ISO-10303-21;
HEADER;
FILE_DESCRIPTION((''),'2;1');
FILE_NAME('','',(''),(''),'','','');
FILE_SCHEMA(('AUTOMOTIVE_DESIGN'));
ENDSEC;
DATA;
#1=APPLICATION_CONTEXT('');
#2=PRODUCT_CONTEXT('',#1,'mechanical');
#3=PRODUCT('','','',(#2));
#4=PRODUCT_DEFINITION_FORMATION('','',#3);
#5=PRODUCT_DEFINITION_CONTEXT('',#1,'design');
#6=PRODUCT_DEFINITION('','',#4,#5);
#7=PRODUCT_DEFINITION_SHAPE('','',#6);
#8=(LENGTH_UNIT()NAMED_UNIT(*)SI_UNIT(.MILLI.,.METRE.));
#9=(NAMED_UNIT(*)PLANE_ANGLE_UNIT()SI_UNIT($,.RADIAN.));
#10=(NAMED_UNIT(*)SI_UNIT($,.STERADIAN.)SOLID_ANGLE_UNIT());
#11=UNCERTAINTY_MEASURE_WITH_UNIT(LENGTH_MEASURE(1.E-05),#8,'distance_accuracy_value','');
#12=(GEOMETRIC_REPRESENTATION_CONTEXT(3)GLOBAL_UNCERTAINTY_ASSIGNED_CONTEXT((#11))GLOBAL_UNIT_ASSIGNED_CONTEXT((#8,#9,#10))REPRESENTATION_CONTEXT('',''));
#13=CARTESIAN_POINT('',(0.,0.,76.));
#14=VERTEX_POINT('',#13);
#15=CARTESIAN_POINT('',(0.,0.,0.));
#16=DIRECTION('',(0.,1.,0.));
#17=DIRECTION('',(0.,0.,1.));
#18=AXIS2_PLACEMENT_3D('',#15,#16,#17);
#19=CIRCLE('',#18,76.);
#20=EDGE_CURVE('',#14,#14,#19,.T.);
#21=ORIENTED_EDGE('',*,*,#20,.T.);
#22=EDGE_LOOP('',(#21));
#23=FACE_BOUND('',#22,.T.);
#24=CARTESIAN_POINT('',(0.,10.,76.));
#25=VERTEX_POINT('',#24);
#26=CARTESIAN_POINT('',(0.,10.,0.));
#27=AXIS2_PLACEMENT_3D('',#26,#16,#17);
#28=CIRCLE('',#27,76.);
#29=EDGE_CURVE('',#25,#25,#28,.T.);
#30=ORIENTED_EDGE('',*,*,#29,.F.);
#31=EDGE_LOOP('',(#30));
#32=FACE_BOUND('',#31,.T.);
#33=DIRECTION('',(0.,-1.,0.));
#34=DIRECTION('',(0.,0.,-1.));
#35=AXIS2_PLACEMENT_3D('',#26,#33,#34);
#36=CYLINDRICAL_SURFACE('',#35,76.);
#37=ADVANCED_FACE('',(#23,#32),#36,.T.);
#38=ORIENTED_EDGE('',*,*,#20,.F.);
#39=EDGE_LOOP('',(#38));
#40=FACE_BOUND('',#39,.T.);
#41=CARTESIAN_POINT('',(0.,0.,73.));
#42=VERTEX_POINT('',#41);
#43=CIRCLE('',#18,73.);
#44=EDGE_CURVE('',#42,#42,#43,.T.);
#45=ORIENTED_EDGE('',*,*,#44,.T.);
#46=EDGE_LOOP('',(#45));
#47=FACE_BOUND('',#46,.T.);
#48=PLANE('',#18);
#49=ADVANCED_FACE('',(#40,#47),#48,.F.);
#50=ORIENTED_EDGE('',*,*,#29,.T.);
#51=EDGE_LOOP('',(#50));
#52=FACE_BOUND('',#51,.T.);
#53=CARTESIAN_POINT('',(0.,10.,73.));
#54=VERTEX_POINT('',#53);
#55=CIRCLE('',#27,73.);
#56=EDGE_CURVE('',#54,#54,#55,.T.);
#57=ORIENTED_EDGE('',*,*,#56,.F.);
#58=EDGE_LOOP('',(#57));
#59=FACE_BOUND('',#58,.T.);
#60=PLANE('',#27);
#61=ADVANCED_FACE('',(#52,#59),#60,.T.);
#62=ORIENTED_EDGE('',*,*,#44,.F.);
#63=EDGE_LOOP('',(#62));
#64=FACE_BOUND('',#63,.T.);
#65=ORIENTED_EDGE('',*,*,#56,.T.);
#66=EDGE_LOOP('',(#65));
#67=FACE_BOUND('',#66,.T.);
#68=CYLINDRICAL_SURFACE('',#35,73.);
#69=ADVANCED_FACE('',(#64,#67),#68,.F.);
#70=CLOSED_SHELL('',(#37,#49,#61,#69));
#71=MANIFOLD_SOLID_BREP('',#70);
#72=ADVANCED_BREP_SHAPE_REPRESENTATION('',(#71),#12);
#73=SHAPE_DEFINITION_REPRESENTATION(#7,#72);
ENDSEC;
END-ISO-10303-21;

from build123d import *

# Parameters (mm, degrees)
CROQUIS1_R              = 76
CROQUIS1_R_2            = 73
SALIENTE_EXTRUIR1_DEPTH = 10


with BuildPart() as part:
    # Croquis1 → Saliente-Extruir1 (new body)
    with BuildSketch(Plane(origin=(0, 0, 0), x_dir=(1, 0, 0), z_dir=(0, 1, 0))):
        with Locations(Location((0, 0, 0), (0, 0, 270))):
            Circle(CROQUIS1_R)
        with Locations(Location((0, 0, 0), (0, 0, 270))):
            Circle(CROQUIS1_R_2, mode=Mode.SUBTRACT)
    extrude(amount=SALIENTE_EXTRUIR1_DEPTH)


solid = part.part
